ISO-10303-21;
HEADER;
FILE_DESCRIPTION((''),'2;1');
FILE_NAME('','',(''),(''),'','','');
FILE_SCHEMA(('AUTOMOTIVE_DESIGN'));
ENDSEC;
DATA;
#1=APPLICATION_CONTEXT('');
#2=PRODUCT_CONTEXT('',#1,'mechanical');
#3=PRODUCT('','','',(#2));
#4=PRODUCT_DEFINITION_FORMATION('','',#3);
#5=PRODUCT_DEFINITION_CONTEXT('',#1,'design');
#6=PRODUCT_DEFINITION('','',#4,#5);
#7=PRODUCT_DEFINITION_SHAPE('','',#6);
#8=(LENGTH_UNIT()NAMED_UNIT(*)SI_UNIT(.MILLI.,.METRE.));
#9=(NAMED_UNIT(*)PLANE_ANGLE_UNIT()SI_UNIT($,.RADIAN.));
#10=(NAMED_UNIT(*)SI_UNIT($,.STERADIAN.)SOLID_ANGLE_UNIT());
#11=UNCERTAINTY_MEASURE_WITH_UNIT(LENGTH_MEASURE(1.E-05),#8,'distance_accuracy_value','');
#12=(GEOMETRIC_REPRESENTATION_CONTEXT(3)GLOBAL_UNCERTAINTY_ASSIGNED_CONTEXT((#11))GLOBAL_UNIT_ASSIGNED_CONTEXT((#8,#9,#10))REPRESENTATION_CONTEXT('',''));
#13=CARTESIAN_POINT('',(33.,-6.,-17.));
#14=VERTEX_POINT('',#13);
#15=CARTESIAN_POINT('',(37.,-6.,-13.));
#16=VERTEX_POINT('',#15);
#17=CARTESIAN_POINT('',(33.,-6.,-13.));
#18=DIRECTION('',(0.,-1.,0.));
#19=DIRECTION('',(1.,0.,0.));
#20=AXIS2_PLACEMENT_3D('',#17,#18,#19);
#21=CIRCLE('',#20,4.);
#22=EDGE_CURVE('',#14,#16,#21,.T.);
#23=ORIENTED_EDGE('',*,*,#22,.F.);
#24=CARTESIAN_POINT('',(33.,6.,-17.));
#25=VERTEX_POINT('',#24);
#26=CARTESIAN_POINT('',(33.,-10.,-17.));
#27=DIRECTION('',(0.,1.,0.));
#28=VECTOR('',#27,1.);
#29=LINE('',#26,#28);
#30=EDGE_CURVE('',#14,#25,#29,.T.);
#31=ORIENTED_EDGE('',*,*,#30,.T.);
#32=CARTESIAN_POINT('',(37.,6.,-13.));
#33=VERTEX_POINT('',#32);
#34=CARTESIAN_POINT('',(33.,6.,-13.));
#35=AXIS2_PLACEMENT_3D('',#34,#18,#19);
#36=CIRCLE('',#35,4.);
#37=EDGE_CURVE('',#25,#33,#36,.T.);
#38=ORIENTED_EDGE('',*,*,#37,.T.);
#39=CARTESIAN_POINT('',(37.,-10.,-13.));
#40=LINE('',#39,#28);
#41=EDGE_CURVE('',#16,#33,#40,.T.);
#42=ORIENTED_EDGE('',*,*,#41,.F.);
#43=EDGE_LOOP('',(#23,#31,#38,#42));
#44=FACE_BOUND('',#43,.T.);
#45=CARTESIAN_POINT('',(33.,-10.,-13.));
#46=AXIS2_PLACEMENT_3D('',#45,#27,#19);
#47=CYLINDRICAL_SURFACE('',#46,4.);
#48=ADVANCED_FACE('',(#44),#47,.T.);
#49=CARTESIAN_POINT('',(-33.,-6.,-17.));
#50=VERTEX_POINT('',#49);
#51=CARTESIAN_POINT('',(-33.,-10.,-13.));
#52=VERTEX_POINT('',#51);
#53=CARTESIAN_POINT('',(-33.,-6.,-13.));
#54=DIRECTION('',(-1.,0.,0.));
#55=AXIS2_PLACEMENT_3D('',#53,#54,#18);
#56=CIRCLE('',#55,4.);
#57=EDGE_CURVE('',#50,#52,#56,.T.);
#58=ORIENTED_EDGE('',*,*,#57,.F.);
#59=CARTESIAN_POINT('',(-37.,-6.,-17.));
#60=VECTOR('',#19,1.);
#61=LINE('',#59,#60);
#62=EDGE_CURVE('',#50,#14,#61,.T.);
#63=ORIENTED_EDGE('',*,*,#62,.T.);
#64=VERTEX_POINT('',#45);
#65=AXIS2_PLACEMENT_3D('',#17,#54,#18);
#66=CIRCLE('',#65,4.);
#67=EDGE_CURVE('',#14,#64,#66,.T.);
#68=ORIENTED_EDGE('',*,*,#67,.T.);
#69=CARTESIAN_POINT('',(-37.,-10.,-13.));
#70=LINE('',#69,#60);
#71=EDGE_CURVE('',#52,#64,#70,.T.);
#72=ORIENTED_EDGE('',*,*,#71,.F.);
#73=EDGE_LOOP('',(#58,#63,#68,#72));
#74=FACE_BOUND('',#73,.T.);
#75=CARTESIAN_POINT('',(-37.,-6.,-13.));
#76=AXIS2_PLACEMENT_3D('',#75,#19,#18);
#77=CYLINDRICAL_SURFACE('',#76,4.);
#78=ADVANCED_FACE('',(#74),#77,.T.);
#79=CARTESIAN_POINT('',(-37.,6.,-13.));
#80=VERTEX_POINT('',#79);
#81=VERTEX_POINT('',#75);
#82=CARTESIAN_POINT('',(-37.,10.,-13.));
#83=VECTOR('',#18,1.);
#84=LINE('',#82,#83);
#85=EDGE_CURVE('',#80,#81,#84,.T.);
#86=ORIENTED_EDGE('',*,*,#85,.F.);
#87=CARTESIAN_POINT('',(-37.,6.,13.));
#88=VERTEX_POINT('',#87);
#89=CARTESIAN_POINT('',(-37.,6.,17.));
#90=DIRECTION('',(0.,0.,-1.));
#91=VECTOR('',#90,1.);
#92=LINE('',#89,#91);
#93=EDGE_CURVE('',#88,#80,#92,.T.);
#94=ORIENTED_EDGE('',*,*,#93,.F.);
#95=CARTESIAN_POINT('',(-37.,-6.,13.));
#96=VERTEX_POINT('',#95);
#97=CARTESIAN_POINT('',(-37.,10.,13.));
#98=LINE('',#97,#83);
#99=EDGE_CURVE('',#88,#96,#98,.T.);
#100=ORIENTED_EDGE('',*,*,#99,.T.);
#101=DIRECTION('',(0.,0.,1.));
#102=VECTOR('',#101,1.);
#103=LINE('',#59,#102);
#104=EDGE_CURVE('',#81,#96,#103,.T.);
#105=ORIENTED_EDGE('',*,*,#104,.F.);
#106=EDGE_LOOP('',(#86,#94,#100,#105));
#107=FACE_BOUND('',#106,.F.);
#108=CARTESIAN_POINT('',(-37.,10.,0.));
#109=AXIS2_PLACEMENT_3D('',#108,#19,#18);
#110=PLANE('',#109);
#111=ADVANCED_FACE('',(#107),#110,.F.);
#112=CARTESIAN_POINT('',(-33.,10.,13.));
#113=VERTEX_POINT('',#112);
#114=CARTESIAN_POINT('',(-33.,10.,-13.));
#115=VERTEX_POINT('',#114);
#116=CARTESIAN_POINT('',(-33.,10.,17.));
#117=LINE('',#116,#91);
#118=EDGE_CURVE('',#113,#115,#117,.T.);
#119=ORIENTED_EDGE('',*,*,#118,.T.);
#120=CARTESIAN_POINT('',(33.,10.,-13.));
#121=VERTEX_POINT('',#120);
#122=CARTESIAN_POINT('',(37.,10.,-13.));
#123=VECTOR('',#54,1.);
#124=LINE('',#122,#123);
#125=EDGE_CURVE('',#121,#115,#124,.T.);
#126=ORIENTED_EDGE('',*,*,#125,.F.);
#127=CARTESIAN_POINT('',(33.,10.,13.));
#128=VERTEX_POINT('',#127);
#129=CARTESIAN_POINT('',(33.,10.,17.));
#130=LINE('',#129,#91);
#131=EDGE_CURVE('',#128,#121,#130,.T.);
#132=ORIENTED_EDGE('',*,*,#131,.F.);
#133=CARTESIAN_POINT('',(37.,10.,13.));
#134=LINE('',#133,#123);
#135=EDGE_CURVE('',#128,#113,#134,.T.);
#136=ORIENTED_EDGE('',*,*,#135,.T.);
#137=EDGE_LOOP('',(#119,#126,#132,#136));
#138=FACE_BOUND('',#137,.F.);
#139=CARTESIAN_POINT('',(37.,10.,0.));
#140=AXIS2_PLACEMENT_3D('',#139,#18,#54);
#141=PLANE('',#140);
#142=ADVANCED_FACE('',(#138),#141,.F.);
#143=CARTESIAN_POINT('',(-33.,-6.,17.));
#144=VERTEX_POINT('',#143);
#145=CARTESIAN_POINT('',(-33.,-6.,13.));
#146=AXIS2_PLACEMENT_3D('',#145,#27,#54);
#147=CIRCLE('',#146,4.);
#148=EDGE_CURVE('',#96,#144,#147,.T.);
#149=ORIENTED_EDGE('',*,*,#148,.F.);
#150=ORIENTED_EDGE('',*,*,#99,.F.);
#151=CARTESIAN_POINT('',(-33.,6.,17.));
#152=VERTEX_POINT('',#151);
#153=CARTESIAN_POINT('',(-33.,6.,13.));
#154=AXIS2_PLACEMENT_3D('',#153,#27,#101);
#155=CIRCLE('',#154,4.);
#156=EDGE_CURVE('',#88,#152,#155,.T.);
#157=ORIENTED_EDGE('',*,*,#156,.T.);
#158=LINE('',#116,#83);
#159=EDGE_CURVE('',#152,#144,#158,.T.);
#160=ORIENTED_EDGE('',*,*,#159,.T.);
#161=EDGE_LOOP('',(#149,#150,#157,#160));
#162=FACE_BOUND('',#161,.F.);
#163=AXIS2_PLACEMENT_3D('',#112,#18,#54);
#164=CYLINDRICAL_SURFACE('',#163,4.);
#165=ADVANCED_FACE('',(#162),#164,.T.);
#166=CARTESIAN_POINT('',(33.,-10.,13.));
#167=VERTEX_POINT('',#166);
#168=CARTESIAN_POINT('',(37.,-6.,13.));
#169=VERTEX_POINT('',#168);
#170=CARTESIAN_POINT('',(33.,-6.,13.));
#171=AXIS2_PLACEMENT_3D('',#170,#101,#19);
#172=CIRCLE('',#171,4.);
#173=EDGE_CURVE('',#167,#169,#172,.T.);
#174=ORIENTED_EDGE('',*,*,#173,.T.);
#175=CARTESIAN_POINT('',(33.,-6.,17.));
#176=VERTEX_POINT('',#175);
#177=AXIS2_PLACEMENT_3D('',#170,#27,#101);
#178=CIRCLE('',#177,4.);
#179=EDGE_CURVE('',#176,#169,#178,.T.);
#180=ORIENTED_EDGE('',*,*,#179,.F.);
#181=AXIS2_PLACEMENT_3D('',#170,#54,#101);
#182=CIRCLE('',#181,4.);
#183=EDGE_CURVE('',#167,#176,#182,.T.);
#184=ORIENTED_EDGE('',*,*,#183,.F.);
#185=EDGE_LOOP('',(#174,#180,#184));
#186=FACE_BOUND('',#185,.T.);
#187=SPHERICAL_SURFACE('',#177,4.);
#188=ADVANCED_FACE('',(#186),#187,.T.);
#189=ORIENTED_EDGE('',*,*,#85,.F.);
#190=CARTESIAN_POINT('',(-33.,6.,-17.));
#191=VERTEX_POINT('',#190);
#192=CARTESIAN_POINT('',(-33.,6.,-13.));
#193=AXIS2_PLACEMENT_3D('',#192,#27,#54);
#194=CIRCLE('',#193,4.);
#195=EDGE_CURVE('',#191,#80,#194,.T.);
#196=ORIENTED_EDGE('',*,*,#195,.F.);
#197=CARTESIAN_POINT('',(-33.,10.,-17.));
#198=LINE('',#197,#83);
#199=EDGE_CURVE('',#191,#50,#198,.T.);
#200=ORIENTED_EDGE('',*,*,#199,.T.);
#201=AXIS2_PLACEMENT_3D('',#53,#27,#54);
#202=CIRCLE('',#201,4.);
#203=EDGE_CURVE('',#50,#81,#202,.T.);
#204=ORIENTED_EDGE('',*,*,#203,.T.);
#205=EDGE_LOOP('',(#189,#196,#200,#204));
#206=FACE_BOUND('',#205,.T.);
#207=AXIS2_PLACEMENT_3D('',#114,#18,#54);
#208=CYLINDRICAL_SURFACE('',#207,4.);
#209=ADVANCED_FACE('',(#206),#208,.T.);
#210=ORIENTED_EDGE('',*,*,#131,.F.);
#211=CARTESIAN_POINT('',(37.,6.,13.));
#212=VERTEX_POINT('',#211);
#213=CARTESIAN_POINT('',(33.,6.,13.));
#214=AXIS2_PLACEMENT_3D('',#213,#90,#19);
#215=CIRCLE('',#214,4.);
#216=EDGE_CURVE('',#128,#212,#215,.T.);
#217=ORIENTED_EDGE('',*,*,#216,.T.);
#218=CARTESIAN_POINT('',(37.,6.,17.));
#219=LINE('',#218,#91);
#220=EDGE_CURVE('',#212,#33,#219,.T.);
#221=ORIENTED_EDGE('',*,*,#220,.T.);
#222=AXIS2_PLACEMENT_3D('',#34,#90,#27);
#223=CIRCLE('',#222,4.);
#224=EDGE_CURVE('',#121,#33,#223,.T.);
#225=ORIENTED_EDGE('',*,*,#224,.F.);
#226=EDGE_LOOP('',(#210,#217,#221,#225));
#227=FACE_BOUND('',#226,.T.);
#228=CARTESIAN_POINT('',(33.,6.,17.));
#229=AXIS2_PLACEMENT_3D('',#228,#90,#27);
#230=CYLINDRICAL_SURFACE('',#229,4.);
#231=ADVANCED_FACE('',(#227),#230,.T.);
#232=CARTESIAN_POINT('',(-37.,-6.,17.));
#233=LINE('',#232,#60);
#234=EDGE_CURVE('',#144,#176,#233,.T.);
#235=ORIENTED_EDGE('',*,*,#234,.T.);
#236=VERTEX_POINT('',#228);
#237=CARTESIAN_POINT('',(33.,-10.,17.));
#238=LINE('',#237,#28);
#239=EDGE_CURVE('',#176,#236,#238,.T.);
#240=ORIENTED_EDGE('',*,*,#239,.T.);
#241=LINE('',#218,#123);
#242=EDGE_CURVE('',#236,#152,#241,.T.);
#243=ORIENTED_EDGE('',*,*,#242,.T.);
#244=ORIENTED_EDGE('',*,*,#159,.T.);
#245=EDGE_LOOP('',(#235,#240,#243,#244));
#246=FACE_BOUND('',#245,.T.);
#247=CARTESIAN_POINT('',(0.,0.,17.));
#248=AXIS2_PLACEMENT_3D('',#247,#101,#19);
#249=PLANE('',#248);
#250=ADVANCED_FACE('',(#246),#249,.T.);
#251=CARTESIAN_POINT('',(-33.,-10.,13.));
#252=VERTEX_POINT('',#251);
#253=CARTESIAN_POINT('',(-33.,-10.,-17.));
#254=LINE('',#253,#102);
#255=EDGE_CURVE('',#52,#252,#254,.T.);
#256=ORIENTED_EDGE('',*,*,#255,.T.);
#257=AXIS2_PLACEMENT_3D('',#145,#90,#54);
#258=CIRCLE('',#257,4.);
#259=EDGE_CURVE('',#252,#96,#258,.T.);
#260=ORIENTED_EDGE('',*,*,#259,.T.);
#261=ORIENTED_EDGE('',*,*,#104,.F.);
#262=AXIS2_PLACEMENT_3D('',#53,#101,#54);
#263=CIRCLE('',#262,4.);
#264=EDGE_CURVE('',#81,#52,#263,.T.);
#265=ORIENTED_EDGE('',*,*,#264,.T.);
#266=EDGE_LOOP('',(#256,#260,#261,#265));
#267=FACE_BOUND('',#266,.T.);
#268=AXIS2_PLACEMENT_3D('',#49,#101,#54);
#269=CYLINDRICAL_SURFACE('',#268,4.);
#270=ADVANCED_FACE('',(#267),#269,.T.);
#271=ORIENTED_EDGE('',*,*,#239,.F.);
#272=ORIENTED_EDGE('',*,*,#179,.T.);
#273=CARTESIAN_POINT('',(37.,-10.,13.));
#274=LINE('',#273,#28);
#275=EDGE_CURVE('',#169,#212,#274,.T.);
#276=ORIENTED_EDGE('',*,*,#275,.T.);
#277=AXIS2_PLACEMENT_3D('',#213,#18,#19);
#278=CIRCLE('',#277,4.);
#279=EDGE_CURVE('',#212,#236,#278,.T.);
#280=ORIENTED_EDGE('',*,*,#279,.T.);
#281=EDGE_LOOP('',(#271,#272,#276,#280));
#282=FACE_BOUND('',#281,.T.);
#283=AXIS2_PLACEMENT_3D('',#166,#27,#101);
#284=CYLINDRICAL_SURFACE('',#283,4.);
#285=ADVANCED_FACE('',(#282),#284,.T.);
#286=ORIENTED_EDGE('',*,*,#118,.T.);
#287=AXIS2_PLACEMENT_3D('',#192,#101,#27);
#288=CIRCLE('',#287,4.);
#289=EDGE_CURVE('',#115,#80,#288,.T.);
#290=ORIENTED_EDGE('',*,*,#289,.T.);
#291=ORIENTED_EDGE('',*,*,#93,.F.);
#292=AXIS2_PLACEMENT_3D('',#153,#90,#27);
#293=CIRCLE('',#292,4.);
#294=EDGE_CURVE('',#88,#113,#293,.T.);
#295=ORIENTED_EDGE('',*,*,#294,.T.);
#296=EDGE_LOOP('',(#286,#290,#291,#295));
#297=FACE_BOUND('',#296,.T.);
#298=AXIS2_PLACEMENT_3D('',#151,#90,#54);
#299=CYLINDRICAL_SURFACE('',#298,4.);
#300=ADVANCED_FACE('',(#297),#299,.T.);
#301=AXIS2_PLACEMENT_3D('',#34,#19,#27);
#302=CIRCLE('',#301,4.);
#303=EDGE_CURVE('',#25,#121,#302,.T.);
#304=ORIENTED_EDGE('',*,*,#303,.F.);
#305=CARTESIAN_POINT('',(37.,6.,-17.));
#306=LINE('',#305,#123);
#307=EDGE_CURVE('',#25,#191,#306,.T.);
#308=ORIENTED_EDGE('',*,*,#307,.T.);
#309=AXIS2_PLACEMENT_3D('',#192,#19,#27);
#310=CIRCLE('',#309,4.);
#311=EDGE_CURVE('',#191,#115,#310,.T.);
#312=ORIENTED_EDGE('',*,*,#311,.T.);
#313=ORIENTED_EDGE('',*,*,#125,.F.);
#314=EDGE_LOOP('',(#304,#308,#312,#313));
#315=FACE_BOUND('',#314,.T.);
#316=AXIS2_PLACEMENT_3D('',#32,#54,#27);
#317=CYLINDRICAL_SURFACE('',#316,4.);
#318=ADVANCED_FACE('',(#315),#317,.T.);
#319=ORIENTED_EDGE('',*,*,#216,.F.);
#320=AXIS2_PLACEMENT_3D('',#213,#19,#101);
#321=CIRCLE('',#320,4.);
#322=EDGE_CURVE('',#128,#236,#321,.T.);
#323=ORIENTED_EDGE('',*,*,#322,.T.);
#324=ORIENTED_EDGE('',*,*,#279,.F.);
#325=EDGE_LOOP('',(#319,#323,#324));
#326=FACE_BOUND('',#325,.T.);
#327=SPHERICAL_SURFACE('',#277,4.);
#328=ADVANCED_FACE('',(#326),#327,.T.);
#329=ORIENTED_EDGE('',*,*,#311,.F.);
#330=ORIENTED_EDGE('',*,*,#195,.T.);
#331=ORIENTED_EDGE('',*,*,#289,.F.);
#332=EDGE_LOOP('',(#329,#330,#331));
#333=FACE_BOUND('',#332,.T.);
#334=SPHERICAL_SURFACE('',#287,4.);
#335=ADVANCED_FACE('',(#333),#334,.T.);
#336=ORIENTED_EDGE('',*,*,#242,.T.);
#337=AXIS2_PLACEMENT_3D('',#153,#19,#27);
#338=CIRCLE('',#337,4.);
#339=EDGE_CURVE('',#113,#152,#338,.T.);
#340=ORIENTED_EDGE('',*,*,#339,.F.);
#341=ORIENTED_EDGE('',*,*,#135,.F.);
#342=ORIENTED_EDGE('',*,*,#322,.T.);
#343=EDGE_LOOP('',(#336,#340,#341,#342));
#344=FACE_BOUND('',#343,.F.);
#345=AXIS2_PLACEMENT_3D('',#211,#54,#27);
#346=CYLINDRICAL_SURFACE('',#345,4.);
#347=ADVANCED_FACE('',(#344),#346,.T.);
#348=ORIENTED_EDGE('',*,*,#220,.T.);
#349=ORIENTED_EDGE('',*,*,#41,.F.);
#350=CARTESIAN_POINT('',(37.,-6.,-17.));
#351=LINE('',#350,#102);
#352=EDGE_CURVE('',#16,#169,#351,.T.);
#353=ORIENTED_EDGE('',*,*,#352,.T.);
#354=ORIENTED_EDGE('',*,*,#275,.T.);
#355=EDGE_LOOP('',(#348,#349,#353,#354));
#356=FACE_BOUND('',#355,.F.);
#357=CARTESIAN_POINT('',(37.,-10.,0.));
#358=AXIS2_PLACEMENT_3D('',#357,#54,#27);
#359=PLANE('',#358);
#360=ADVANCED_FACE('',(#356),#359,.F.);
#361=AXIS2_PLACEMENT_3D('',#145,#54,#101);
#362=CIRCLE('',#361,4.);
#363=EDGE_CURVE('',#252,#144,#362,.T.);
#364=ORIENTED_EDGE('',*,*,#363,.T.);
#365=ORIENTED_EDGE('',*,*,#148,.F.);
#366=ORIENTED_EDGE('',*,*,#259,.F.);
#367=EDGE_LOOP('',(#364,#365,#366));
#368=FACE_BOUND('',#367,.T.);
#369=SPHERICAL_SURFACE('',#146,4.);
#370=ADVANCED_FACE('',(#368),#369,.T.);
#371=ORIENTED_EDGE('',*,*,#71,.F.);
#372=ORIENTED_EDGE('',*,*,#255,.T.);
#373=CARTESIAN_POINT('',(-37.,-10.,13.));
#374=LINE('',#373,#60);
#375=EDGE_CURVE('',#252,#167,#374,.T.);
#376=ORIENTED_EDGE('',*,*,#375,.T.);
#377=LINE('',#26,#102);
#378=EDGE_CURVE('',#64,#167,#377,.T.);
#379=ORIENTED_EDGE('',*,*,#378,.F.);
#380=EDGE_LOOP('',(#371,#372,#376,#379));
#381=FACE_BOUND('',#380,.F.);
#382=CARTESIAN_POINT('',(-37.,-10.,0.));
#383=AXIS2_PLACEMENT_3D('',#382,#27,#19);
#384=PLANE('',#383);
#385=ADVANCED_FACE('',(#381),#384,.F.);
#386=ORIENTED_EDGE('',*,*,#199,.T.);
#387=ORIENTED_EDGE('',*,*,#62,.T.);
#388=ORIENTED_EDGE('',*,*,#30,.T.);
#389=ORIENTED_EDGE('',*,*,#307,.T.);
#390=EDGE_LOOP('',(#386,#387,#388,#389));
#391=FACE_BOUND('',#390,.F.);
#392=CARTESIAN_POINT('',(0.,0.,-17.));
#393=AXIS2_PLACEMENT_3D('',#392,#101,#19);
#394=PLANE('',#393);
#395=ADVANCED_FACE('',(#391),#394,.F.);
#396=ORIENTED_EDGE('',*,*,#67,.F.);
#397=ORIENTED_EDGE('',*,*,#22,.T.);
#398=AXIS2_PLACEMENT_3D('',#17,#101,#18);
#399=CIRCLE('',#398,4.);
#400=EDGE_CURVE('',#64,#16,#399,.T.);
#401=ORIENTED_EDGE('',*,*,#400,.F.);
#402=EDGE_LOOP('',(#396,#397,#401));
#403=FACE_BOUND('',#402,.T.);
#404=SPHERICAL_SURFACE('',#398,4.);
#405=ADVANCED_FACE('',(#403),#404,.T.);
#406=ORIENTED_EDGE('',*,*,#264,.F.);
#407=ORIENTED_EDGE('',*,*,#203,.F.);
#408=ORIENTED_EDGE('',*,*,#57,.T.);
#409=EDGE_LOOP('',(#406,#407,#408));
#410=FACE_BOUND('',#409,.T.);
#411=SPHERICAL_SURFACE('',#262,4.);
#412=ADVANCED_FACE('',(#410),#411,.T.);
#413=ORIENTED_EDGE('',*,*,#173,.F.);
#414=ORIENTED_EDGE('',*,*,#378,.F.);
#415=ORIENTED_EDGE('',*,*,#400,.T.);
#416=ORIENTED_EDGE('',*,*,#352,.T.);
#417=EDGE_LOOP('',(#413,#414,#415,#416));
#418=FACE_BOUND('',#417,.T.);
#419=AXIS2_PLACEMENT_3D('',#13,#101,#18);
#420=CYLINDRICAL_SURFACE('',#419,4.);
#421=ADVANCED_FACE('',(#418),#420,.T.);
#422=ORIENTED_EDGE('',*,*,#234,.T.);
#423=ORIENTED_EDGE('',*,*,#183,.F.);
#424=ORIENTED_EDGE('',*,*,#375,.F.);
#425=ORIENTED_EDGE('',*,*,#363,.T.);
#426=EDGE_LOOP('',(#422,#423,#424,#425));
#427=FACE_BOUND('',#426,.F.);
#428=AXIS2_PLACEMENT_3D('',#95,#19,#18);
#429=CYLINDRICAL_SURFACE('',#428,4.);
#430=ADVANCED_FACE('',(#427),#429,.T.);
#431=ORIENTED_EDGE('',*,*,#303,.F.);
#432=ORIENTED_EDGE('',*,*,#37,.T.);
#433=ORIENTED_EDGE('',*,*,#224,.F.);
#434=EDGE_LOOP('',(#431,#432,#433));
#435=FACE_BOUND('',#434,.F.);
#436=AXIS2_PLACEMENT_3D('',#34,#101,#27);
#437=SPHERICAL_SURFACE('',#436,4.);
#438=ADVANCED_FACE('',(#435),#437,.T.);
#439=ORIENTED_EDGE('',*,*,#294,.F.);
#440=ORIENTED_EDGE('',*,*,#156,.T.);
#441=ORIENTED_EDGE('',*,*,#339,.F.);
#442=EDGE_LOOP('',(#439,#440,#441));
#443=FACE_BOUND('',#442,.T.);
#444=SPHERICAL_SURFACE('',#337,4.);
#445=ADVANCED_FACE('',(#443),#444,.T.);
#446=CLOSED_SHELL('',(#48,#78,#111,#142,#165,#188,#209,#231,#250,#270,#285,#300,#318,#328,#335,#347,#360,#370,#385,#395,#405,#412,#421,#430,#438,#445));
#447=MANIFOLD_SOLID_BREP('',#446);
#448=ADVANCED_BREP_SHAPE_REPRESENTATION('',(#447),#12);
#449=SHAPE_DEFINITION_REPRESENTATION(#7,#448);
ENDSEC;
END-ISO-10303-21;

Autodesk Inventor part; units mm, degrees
ref_plane "YZ Plane" through (0, 0, 0) normal (1, 0, 0) x (0, 1, 0)
ref_plane "XZ Plane" through (0, 0, 0) normal (0, 1, 0) x (-1, 0, 0)
ref_plane "XY Plane" through (0, 0, 0) normal (0, 0, 1) x (1, 0, 0)
sketch "Sketch1" plane through (0, 0, 0) normal (0, 0, 1) x (1, 0, 0)
  line L0 (-37, -10) -> (37, -10)
  line L1 (37, -10) -> (37, 10)
  line L2 (37, 10) -> (-37, 10)
  line L3 (-37, 10) -> (-37, -10)
  line L4 (-37, -10) -> (37, 10) construction
  line L5 (37, -10) -> (-37, 10) construction
  point P0 (0, 0)
  dimension "d0" = 74
  dimension "d1" = 20
extrude "Extrusion1" add sketch "Sketch1" along normal mid plane 34
fillet "Fillet1" radius 4 12 edges at (37, 0, 17) (37, 10, 0) (0, 10, 17) (-37, 10, 0) (-37, 0, 17) (-37, -10, 0) (0, -10, 17) (37, -10, 0) (0, 10, -17) (-37, 0, -17) (0, -10, -17) (37, 0, -17)
properties part number "BatteryV1"
